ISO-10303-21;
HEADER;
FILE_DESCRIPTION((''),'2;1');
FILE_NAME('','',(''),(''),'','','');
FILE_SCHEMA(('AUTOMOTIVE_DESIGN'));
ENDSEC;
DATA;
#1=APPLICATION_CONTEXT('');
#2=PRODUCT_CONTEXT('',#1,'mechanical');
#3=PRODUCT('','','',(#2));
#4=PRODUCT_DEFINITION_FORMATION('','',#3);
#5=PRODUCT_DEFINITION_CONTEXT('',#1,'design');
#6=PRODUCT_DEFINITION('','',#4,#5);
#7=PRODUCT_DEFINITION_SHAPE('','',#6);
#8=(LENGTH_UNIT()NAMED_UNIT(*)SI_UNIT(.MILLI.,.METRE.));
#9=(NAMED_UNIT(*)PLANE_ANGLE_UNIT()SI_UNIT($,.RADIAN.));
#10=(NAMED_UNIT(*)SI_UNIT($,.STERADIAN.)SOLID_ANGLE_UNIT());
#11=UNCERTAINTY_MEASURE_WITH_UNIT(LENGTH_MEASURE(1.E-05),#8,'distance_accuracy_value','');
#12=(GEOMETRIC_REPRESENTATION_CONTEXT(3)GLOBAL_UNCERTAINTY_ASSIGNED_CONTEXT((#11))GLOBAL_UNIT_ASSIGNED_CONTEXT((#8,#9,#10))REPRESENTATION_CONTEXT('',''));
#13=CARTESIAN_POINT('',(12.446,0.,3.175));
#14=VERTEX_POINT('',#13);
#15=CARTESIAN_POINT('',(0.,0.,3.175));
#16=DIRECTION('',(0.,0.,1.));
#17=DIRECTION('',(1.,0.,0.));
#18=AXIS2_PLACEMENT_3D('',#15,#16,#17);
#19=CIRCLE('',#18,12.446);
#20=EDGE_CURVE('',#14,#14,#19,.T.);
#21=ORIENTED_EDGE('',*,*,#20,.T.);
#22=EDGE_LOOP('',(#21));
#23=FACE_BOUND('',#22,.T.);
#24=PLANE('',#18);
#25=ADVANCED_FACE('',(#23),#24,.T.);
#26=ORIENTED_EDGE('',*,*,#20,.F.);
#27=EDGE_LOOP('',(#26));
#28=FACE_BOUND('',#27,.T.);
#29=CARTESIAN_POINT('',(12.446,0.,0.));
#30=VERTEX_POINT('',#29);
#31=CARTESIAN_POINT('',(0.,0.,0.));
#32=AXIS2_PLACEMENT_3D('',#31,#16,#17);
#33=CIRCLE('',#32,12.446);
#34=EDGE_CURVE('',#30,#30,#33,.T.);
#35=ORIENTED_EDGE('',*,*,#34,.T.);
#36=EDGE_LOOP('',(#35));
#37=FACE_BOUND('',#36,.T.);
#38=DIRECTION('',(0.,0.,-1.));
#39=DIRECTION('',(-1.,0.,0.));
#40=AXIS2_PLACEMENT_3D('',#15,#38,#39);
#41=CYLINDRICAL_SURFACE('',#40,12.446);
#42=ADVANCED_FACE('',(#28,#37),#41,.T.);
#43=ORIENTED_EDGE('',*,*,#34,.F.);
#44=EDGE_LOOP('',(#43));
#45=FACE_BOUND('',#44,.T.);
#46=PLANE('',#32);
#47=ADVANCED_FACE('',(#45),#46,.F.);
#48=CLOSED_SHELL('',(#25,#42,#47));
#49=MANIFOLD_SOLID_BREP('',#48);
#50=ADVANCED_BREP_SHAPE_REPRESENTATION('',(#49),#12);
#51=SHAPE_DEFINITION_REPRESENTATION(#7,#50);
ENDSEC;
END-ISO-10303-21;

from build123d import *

# Parameters (mm, degrees)
SKETCH1_R           = 12.446
BOSS_EXTRUDE1_DEPTH = 3.175


with BuildPart() as part:
    # Sketch1 → Boss-Extrude1 (new body)
    with BuildSketch(Plane.XY):
        Circle(SKETCH1_R)
    extrude(amount=BOSS_EXTRUDE1_DEPTH)


solid = part.part
